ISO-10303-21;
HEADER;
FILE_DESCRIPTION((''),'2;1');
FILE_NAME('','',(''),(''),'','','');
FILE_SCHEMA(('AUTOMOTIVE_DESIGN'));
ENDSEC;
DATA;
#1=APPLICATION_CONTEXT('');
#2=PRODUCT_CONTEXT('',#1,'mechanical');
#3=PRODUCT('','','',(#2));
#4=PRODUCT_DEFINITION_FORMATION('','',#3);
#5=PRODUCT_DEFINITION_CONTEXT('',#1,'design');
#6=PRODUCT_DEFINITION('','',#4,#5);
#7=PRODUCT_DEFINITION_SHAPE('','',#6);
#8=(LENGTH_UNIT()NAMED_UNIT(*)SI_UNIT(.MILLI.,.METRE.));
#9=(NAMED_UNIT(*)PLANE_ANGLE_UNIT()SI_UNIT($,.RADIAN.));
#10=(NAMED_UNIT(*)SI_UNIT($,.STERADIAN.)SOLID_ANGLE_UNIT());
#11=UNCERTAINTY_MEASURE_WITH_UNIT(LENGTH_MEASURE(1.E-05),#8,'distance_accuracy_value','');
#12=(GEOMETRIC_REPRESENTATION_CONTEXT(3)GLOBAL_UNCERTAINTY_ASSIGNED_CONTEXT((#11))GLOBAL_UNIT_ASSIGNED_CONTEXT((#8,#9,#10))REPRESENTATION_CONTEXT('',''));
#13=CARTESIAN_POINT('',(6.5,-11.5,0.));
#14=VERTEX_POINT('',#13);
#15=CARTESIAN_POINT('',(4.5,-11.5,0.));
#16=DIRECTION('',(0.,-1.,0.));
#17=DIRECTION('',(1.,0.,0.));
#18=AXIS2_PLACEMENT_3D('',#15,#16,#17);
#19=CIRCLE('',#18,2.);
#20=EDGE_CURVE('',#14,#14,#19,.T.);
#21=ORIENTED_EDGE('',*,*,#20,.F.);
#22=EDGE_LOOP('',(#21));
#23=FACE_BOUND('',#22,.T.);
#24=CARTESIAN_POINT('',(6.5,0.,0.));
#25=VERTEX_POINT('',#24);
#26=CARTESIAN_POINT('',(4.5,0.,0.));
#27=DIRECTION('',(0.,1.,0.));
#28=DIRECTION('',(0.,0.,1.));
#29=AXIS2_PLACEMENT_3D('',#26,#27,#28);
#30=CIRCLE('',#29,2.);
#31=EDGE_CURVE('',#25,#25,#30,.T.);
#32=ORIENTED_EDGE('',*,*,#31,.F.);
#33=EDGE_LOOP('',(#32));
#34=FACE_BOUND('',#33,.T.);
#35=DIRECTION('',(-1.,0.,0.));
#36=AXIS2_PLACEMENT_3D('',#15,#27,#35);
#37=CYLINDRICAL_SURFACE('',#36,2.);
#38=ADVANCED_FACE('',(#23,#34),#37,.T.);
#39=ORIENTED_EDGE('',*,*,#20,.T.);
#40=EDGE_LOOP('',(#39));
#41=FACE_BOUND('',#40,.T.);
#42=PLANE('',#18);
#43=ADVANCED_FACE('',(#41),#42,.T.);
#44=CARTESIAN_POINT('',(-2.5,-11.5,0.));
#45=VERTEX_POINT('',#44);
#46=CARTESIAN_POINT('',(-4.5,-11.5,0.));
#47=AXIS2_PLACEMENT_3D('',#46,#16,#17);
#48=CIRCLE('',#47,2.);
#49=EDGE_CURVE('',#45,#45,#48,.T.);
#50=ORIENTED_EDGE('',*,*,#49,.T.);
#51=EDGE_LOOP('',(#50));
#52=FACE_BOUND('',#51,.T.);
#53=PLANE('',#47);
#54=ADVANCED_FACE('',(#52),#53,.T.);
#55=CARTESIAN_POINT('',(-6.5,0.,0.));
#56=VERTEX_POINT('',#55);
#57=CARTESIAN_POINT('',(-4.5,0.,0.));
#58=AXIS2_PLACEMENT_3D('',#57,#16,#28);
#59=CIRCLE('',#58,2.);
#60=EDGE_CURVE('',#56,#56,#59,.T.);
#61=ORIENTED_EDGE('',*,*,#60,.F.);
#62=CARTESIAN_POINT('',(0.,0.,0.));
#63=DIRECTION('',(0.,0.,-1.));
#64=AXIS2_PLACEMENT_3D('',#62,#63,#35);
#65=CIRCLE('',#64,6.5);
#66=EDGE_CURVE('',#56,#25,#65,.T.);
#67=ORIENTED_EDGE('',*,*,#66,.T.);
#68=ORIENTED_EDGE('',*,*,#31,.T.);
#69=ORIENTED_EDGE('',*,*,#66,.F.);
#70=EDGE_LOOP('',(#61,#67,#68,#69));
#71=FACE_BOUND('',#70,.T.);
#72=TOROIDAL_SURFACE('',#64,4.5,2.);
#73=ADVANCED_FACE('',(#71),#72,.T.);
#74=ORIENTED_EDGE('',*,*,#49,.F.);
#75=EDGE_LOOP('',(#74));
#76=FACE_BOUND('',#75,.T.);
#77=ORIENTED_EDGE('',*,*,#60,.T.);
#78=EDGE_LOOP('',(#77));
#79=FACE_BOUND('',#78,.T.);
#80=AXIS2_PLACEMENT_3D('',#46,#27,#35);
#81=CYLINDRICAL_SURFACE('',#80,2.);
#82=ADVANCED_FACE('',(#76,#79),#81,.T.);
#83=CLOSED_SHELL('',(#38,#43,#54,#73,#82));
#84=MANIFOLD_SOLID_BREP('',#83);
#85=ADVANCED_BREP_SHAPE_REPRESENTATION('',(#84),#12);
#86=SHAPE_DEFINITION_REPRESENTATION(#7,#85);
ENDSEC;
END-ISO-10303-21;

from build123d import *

# Parameters (mm, degrees)
SKETCH1_R           = 2
REVOLVE1_ANGLE      = 180
SKETCH2_R           = 2
BOSS_EXTRUDE1_DEPTH = 11.5


with BuildPart() as part:
    # Sketch1 → Revolve1 (revolve)
    with BuildSketch(Plane(origin=(0, 0, 0), x_dir=(1, 0, 0), z_dir=(0, 1, 0))):
        with Locations((4.5, 0)):
            Circle(SKETCH1_R)
    revolve(axis=Axis((0, 0, 188.267496387), (0, 0, 1)), revolution_arc=REVOLVE1_ANGLE)

    # Sketch2 → Boss-Extrude1 (add)
    with BuildSketch(Plane.XZ):
        with Locations((4.5, 0)):
            Circle(SKETCH2_R)
        with Locations((-4.5, 0)):
            Circle(SKETCH2_R)
    extrude(amount=BOSS_EXTRUDE1_DEPTH)


solid = part.part
